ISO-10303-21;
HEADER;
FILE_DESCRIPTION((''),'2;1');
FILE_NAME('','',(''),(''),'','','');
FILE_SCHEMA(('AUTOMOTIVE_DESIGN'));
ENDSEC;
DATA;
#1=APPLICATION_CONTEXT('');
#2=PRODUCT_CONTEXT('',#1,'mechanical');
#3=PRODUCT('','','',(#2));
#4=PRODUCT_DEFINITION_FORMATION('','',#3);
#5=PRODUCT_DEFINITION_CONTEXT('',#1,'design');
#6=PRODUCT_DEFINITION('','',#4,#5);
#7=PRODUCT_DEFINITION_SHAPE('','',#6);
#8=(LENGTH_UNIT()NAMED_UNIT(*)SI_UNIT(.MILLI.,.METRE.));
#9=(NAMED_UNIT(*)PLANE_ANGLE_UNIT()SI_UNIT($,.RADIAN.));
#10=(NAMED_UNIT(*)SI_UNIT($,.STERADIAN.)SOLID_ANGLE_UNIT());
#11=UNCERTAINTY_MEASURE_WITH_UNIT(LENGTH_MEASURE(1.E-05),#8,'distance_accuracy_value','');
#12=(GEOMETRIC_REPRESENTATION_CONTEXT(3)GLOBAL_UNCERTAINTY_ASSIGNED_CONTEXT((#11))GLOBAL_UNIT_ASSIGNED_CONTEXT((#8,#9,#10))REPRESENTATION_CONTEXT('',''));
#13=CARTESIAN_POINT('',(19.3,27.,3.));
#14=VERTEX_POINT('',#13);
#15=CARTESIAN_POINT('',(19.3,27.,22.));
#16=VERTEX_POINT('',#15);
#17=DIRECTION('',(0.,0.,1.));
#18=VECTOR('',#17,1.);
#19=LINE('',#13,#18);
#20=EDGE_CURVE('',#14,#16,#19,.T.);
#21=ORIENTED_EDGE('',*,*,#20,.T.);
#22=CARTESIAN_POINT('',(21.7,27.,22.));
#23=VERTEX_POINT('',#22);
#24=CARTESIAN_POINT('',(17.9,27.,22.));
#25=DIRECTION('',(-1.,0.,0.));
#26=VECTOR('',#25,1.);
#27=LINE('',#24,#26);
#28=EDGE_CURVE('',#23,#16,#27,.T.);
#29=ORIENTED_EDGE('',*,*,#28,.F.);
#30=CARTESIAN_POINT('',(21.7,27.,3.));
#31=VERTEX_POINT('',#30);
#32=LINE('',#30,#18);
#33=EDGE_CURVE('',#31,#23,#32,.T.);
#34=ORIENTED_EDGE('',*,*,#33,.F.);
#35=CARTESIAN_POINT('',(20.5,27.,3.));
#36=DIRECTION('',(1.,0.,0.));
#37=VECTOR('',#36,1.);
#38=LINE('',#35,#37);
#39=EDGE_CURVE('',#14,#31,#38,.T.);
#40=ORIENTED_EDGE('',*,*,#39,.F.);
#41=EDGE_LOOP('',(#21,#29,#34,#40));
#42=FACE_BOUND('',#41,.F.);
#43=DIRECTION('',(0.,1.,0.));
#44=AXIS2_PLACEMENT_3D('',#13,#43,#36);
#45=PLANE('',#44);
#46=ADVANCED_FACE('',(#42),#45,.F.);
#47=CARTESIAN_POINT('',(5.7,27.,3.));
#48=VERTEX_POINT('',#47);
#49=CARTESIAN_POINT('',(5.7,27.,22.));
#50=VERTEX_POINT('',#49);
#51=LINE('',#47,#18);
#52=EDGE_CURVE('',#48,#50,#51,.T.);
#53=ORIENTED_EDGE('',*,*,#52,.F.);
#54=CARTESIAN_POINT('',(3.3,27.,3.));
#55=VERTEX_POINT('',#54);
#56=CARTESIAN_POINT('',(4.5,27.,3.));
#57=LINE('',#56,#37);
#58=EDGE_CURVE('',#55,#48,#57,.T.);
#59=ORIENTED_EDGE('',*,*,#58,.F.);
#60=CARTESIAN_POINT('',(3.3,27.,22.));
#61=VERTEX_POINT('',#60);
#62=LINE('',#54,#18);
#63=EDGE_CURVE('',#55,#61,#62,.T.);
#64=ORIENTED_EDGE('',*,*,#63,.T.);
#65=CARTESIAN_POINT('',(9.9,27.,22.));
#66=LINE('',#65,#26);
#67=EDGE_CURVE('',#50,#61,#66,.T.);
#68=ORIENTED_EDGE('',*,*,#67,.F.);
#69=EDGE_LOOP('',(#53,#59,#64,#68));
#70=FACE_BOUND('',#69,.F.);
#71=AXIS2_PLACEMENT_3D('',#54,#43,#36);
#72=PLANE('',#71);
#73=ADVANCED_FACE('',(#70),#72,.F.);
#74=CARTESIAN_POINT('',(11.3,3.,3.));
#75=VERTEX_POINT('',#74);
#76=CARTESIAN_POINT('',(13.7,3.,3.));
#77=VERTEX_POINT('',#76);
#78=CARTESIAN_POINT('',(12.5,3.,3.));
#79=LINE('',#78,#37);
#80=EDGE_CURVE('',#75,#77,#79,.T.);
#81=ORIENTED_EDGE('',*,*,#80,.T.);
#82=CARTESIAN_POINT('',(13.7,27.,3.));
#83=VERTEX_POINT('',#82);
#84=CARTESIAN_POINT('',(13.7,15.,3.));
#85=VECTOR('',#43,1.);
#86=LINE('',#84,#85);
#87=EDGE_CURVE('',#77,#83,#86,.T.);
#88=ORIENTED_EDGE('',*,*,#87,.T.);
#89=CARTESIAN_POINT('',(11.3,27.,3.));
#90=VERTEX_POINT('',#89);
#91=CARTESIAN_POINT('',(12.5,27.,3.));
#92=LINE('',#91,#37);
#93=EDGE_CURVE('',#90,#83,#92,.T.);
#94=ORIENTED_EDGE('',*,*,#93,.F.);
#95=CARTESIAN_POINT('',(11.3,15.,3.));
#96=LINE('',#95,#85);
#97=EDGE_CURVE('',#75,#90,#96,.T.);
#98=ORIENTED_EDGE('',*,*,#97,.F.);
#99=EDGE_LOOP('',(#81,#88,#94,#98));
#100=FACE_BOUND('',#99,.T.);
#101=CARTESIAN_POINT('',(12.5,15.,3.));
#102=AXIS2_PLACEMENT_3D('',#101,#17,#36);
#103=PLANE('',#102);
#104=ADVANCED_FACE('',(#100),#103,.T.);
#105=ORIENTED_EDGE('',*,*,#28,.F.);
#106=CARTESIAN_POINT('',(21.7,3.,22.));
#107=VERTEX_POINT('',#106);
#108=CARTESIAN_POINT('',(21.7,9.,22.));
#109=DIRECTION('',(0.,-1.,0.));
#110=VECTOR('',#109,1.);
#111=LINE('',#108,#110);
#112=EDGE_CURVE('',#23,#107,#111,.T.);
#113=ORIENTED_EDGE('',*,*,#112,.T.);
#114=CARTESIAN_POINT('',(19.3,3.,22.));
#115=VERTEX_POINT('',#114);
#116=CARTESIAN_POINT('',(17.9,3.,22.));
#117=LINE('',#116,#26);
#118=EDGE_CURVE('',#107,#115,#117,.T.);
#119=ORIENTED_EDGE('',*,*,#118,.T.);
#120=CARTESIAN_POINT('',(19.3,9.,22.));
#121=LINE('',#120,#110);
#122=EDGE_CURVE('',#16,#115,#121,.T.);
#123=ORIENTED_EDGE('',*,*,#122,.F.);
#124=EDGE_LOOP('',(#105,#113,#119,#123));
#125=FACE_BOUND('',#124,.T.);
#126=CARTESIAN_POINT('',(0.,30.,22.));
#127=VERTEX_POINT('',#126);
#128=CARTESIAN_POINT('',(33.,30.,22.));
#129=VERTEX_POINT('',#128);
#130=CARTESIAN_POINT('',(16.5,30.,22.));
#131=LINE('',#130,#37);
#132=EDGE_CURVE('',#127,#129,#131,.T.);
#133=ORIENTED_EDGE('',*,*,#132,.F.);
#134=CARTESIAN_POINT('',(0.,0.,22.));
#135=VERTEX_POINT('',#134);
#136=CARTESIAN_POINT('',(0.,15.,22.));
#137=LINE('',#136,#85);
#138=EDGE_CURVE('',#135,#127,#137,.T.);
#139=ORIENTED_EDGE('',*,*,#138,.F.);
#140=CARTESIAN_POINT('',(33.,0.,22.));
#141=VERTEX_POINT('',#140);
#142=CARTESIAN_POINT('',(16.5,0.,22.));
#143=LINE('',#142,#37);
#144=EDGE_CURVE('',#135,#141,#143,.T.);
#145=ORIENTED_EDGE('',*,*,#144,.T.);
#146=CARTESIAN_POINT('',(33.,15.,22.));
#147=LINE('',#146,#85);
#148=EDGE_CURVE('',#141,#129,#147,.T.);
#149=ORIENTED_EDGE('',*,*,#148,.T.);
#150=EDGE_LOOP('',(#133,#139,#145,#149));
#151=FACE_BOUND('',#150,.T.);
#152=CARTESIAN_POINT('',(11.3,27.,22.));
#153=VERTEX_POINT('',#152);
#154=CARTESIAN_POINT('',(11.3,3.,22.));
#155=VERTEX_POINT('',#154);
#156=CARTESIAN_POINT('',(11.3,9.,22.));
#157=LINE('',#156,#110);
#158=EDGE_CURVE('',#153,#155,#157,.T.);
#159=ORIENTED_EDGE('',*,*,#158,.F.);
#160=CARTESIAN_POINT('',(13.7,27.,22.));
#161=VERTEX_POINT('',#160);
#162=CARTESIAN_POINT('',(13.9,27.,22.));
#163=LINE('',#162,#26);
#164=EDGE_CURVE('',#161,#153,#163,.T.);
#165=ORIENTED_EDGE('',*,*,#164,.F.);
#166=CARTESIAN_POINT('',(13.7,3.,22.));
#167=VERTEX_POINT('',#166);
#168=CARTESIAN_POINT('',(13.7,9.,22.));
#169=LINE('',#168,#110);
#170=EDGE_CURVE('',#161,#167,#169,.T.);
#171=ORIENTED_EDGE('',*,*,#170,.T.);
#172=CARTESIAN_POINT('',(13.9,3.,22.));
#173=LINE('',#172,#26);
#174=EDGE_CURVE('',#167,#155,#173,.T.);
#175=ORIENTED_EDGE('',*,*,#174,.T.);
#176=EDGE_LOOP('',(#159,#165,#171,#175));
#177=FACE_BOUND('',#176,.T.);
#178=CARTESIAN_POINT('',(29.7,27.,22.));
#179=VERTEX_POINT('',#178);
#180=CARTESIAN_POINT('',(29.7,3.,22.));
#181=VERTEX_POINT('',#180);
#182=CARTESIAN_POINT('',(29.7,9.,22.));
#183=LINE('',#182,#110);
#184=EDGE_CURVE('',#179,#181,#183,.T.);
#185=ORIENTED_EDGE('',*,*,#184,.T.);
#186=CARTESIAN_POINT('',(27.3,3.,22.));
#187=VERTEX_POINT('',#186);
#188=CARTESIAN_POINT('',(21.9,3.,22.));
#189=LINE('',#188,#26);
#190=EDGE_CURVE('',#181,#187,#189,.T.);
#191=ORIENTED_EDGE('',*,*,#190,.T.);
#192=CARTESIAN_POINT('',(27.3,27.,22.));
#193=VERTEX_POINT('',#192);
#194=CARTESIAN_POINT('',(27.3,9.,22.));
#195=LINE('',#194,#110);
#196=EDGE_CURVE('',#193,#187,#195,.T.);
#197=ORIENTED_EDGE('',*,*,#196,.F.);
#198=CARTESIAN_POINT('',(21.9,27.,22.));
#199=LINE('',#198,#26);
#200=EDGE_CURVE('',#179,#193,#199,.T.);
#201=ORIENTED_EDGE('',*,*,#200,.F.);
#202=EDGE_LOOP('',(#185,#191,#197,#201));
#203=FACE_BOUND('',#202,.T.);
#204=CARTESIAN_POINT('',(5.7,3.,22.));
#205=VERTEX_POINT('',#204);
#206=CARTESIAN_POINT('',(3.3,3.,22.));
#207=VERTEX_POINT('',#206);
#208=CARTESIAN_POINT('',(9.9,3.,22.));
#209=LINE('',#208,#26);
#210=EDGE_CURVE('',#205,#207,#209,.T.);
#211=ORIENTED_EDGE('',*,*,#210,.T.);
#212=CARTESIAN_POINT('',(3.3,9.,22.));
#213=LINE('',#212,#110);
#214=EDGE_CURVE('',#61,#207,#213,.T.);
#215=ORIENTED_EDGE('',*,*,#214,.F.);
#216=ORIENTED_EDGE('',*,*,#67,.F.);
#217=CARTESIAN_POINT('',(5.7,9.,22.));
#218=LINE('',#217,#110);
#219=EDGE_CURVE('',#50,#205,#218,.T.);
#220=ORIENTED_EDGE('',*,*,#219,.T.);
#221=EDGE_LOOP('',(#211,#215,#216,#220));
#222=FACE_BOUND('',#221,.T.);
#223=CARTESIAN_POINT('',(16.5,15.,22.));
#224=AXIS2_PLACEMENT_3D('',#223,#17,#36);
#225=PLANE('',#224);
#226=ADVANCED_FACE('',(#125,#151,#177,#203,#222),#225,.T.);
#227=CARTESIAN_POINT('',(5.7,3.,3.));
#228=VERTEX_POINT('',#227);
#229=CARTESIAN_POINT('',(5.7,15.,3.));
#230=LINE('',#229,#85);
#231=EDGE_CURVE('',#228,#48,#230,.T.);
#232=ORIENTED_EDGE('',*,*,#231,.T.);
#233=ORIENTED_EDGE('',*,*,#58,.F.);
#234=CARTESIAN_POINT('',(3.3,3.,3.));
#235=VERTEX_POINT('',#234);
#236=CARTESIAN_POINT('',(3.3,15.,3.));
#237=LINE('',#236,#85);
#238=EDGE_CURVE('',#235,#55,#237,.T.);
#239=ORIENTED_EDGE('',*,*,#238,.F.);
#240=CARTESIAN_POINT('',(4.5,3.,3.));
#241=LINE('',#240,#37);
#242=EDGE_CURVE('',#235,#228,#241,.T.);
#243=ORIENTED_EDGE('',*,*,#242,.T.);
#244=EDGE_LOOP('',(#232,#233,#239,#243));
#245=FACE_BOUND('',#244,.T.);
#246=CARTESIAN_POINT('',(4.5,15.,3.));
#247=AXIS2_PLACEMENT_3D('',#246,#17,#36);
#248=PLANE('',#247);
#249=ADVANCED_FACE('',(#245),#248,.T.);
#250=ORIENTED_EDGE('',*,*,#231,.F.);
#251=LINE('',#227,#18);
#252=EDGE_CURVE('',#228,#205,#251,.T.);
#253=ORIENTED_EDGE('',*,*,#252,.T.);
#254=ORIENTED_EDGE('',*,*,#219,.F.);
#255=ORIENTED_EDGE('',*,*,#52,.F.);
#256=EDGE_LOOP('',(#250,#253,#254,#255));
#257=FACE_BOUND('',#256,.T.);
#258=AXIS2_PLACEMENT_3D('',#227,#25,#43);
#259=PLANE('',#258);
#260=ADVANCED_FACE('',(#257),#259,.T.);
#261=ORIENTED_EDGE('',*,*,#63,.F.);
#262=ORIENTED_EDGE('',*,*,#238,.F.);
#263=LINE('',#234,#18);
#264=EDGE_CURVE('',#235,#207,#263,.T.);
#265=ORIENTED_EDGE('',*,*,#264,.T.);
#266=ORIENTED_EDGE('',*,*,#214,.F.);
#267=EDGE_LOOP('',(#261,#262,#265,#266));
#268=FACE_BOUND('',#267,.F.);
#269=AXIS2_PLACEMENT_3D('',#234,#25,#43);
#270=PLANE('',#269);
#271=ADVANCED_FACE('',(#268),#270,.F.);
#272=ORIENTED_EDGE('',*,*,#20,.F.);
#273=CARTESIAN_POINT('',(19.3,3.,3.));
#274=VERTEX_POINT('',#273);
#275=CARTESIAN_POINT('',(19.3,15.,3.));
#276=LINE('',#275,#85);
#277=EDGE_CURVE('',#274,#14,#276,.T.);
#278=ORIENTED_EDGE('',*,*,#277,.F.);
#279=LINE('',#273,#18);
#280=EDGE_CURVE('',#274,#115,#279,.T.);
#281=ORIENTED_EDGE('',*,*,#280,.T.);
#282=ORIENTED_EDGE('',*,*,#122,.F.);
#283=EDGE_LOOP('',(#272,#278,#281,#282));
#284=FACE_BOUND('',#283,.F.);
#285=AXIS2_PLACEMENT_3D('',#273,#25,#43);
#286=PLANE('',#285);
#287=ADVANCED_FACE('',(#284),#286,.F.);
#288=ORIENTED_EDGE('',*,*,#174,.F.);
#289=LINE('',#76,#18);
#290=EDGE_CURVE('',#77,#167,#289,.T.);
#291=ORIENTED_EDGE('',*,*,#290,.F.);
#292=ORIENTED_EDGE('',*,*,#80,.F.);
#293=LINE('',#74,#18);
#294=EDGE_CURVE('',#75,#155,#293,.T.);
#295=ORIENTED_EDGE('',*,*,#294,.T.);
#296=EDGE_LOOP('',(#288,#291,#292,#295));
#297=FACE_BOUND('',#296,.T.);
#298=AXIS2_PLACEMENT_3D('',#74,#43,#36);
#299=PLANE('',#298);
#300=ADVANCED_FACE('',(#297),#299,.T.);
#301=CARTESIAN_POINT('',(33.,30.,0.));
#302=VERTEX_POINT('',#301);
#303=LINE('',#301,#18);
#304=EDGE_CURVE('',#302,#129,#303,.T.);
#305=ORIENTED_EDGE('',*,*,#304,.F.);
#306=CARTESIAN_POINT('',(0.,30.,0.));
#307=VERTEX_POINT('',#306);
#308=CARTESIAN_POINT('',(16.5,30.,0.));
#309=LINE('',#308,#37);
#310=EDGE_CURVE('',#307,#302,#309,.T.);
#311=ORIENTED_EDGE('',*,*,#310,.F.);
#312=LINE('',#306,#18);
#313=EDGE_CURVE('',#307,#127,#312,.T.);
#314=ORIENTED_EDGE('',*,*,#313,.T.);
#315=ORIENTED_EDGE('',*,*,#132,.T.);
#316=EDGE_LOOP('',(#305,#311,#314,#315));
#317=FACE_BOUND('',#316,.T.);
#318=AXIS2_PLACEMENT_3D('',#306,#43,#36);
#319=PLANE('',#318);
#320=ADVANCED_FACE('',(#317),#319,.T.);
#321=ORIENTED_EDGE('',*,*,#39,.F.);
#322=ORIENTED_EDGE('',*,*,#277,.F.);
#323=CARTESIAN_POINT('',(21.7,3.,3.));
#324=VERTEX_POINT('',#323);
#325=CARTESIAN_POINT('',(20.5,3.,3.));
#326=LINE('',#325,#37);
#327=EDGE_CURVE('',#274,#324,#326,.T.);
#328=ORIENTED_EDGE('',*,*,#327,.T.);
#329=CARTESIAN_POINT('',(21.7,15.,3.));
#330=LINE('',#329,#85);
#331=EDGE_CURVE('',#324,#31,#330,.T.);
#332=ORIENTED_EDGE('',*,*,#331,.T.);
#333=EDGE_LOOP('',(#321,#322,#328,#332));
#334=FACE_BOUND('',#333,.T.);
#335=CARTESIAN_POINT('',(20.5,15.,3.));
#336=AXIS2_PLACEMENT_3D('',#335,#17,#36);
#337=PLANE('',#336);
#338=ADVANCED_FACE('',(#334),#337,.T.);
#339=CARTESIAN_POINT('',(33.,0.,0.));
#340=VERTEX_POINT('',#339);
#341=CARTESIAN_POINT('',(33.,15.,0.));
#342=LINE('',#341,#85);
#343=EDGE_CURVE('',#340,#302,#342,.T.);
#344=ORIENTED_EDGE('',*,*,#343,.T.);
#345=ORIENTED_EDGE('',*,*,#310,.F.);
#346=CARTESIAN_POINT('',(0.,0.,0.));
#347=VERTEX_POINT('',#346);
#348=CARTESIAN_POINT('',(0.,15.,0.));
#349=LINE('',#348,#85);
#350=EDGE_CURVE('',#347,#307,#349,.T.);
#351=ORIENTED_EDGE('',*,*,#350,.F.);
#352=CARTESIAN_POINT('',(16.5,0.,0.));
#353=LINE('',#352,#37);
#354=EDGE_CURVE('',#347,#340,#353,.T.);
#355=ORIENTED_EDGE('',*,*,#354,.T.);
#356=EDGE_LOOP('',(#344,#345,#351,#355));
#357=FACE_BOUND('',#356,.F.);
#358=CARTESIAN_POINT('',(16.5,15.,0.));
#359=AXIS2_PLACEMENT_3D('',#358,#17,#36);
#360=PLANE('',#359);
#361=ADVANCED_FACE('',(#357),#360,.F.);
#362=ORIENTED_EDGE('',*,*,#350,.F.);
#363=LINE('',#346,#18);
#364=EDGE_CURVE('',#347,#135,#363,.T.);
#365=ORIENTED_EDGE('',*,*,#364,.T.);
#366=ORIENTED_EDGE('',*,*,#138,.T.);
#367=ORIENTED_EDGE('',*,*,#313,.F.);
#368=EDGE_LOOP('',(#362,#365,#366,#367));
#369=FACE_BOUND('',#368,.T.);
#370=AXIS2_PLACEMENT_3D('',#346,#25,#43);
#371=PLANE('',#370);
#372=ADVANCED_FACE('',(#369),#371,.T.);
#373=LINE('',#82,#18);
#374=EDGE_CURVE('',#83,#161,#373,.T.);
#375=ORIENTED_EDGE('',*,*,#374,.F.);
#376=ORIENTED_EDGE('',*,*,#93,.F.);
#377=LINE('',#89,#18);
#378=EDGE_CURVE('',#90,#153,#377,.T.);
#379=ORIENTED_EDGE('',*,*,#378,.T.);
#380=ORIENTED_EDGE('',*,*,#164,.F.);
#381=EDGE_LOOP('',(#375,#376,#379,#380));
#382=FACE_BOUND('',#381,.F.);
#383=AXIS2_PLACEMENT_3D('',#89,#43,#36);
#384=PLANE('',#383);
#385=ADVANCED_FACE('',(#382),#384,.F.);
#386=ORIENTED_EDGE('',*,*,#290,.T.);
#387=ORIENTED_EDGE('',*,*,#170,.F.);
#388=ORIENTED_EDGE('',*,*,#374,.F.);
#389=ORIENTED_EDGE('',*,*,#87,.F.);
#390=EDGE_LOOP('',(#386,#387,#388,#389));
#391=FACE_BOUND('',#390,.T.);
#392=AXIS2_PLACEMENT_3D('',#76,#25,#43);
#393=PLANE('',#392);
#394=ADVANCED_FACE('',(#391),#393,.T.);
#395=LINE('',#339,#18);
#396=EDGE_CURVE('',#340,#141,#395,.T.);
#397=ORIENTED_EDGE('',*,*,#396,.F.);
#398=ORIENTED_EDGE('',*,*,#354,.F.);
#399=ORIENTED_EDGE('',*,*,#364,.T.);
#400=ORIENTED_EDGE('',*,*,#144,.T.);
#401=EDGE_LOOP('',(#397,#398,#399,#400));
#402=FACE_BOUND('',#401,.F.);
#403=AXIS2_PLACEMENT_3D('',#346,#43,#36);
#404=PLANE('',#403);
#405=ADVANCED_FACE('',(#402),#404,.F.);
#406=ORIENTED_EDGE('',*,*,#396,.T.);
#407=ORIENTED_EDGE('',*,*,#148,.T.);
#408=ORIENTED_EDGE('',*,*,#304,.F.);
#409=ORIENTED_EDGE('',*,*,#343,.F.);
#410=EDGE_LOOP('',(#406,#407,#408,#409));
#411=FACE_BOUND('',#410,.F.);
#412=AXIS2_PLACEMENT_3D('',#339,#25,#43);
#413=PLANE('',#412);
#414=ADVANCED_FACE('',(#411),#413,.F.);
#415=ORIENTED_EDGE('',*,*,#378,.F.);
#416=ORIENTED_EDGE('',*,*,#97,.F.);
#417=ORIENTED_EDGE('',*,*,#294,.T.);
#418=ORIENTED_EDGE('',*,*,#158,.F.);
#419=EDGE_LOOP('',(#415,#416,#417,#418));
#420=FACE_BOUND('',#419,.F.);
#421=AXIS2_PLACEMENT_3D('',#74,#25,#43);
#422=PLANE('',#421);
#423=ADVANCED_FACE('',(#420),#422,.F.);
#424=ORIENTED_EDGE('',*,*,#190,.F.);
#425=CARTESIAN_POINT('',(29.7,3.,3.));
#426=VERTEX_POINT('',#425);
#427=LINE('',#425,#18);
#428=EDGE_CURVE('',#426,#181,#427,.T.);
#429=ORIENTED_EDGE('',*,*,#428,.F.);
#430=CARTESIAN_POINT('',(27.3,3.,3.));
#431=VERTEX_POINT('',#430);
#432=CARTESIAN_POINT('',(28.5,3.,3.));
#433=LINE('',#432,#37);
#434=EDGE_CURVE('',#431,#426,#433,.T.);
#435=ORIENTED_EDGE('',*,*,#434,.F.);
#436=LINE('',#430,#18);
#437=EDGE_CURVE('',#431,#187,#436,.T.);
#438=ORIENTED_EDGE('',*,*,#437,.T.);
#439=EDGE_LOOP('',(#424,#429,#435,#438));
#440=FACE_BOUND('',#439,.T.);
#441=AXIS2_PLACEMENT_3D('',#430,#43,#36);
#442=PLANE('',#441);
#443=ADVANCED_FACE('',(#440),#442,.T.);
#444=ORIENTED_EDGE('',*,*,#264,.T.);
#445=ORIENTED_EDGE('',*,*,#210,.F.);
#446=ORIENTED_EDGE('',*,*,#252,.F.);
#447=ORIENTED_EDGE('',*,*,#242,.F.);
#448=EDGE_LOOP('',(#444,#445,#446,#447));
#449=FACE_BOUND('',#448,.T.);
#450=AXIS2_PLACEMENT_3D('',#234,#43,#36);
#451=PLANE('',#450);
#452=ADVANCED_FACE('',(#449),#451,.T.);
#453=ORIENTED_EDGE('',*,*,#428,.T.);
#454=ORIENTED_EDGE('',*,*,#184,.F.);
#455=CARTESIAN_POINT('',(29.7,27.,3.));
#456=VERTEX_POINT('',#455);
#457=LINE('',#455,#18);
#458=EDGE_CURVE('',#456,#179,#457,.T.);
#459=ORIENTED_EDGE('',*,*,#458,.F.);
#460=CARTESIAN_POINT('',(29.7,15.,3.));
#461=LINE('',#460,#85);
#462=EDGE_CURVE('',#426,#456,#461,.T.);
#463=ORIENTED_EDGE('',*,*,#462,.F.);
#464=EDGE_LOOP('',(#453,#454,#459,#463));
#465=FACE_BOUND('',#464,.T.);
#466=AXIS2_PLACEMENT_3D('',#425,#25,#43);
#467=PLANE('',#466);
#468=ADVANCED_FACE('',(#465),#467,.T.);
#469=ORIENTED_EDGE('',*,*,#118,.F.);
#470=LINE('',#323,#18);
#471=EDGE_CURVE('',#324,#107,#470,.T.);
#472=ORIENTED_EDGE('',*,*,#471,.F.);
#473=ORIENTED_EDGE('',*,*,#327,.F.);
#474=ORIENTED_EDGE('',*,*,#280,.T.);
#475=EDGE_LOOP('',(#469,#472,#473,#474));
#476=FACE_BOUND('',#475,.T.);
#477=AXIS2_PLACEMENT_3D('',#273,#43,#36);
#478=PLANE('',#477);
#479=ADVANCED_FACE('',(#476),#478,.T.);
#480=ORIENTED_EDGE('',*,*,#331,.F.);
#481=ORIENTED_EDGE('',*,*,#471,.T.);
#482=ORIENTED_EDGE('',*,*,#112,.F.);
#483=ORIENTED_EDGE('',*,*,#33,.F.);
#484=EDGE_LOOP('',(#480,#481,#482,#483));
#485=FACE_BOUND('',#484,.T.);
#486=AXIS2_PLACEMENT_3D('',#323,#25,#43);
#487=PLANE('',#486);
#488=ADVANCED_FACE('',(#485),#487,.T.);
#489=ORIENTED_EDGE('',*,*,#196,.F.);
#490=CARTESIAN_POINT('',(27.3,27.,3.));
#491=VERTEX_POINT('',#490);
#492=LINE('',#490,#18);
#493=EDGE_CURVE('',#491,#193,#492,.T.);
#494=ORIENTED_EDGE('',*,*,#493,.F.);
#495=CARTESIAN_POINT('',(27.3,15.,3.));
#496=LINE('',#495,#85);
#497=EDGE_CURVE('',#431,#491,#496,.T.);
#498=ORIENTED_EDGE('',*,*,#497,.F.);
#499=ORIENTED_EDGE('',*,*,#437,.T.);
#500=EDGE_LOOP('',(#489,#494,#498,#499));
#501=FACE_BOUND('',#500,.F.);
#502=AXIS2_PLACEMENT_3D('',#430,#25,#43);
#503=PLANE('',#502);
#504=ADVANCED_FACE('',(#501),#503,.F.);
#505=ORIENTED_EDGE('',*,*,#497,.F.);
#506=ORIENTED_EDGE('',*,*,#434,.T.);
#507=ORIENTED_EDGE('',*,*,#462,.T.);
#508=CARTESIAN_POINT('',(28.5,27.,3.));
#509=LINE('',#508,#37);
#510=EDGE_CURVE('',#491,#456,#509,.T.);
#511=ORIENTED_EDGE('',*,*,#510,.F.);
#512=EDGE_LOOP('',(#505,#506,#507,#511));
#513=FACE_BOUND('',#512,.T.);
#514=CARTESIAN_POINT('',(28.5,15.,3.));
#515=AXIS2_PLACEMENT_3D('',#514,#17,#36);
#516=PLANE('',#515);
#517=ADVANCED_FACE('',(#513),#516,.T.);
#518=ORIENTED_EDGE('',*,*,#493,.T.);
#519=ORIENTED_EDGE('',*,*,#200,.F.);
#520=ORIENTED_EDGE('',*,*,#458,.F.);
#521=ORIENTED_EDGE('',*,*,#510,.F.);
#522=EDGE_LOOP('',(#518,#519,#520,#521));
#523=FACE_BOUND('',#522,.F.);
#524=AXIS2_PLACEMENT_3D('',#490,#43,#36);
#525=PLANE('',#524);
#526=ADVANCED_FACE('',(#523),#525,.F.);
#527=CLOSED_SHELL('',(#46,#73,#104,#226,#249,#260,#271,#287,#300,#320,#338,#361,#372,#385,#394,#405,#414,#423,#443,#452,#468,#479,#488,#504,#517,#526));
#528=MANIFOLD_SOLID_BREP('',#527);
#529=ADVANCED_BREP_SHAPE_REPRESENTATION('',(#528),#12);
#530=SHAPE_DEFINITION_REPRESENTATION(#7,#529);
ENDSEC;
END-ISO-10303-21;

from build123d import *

# Parameters (mm, degrees)
BOX007_W     = 2.4
BOX007_H     = 24
BOX007_DEPTH = 30
BOX008_W     = 2.4
BOX008_H     = 24
BOX008_DEPTH = 30
BOX009_W     = 2.4
BOX009_H     = 24
BOX009_DEPTH = 30
BOX_W        = 2.4
BOX_H        = 24
BOX_DEPTH    = 30
BOX004_W     = 33
BOX004_H     = 30
BOX004_DEPTH = 22


with BuildPart() as box007:
    # Box007 → Box007 (new body)
    with BuildSketch(Plane(origin=(11.3, 3, 0), x_dir=(1, 0, 0), z_dir=(0, 0, 1))):
        with Locations((1.2, 12)):
            Rectangle(BOX007_W, BOX007_H)
    extrude(amount=BOX007_DEPTH)


with BuildPart() as box008:
    # Box008 → Box008 (new body)
    with BuildSketch(Plane(origin=(19.3, 3, 0), x_dir=(1, 0, 0), z_dir=(0, 0, 1))):
        with Locations((1.2, 12)):
            Rectangle(BOX008_W, BOX008_H)
    extrude(amount=BOX008_DEPTH)


with BuildPart() as box009:
    # Box009 → Box009 (new body)
    with BuildSketch(Plane(origin=(27.3, 3, 0), x_dir=(1, 0, 0), z_dir=(0, 0, 1))):
        with Locations((1.2, 12)):
            Rectangle(BOX009_W, BOX009_H)
    extrude(amount=BOX009_DEPTH)


with BuildPart() as fusion:
    # Box → Box (new body)
    with BuildSketch(Plane(origin=(3.3, 3, 0), x_dir=(1, 0, 0), z_dir=(0, 0, 1))):
        with Locations((1.2, 12)):
            Rectangle(BOX_W, BOX_H)
    extrude(amount=BOX_DEPTH)

    # Fusion: union Box007, Box008, Box009
    add(box007.part)
    add(box008.part)
    add(box009.part)


with BuildPart() as fusion_1:
    # Fusion placement: moved
    add(fusion.part.moved(Location((0, 0, 3))))


with BuildPart() as cut:
    # Box004 → Box004 (new body)
    with BuildSketch(Plane.XY):
        with Locations((16.5, 15)):
            Rectangle(BOX004_W, BOX004_H)
    extrude(amount=BOX004_DEPTH)

    # Cut: cut Fusion
    add(fusion_1.part, mode=Mode.SUBTRACT)


solid = cut.part
